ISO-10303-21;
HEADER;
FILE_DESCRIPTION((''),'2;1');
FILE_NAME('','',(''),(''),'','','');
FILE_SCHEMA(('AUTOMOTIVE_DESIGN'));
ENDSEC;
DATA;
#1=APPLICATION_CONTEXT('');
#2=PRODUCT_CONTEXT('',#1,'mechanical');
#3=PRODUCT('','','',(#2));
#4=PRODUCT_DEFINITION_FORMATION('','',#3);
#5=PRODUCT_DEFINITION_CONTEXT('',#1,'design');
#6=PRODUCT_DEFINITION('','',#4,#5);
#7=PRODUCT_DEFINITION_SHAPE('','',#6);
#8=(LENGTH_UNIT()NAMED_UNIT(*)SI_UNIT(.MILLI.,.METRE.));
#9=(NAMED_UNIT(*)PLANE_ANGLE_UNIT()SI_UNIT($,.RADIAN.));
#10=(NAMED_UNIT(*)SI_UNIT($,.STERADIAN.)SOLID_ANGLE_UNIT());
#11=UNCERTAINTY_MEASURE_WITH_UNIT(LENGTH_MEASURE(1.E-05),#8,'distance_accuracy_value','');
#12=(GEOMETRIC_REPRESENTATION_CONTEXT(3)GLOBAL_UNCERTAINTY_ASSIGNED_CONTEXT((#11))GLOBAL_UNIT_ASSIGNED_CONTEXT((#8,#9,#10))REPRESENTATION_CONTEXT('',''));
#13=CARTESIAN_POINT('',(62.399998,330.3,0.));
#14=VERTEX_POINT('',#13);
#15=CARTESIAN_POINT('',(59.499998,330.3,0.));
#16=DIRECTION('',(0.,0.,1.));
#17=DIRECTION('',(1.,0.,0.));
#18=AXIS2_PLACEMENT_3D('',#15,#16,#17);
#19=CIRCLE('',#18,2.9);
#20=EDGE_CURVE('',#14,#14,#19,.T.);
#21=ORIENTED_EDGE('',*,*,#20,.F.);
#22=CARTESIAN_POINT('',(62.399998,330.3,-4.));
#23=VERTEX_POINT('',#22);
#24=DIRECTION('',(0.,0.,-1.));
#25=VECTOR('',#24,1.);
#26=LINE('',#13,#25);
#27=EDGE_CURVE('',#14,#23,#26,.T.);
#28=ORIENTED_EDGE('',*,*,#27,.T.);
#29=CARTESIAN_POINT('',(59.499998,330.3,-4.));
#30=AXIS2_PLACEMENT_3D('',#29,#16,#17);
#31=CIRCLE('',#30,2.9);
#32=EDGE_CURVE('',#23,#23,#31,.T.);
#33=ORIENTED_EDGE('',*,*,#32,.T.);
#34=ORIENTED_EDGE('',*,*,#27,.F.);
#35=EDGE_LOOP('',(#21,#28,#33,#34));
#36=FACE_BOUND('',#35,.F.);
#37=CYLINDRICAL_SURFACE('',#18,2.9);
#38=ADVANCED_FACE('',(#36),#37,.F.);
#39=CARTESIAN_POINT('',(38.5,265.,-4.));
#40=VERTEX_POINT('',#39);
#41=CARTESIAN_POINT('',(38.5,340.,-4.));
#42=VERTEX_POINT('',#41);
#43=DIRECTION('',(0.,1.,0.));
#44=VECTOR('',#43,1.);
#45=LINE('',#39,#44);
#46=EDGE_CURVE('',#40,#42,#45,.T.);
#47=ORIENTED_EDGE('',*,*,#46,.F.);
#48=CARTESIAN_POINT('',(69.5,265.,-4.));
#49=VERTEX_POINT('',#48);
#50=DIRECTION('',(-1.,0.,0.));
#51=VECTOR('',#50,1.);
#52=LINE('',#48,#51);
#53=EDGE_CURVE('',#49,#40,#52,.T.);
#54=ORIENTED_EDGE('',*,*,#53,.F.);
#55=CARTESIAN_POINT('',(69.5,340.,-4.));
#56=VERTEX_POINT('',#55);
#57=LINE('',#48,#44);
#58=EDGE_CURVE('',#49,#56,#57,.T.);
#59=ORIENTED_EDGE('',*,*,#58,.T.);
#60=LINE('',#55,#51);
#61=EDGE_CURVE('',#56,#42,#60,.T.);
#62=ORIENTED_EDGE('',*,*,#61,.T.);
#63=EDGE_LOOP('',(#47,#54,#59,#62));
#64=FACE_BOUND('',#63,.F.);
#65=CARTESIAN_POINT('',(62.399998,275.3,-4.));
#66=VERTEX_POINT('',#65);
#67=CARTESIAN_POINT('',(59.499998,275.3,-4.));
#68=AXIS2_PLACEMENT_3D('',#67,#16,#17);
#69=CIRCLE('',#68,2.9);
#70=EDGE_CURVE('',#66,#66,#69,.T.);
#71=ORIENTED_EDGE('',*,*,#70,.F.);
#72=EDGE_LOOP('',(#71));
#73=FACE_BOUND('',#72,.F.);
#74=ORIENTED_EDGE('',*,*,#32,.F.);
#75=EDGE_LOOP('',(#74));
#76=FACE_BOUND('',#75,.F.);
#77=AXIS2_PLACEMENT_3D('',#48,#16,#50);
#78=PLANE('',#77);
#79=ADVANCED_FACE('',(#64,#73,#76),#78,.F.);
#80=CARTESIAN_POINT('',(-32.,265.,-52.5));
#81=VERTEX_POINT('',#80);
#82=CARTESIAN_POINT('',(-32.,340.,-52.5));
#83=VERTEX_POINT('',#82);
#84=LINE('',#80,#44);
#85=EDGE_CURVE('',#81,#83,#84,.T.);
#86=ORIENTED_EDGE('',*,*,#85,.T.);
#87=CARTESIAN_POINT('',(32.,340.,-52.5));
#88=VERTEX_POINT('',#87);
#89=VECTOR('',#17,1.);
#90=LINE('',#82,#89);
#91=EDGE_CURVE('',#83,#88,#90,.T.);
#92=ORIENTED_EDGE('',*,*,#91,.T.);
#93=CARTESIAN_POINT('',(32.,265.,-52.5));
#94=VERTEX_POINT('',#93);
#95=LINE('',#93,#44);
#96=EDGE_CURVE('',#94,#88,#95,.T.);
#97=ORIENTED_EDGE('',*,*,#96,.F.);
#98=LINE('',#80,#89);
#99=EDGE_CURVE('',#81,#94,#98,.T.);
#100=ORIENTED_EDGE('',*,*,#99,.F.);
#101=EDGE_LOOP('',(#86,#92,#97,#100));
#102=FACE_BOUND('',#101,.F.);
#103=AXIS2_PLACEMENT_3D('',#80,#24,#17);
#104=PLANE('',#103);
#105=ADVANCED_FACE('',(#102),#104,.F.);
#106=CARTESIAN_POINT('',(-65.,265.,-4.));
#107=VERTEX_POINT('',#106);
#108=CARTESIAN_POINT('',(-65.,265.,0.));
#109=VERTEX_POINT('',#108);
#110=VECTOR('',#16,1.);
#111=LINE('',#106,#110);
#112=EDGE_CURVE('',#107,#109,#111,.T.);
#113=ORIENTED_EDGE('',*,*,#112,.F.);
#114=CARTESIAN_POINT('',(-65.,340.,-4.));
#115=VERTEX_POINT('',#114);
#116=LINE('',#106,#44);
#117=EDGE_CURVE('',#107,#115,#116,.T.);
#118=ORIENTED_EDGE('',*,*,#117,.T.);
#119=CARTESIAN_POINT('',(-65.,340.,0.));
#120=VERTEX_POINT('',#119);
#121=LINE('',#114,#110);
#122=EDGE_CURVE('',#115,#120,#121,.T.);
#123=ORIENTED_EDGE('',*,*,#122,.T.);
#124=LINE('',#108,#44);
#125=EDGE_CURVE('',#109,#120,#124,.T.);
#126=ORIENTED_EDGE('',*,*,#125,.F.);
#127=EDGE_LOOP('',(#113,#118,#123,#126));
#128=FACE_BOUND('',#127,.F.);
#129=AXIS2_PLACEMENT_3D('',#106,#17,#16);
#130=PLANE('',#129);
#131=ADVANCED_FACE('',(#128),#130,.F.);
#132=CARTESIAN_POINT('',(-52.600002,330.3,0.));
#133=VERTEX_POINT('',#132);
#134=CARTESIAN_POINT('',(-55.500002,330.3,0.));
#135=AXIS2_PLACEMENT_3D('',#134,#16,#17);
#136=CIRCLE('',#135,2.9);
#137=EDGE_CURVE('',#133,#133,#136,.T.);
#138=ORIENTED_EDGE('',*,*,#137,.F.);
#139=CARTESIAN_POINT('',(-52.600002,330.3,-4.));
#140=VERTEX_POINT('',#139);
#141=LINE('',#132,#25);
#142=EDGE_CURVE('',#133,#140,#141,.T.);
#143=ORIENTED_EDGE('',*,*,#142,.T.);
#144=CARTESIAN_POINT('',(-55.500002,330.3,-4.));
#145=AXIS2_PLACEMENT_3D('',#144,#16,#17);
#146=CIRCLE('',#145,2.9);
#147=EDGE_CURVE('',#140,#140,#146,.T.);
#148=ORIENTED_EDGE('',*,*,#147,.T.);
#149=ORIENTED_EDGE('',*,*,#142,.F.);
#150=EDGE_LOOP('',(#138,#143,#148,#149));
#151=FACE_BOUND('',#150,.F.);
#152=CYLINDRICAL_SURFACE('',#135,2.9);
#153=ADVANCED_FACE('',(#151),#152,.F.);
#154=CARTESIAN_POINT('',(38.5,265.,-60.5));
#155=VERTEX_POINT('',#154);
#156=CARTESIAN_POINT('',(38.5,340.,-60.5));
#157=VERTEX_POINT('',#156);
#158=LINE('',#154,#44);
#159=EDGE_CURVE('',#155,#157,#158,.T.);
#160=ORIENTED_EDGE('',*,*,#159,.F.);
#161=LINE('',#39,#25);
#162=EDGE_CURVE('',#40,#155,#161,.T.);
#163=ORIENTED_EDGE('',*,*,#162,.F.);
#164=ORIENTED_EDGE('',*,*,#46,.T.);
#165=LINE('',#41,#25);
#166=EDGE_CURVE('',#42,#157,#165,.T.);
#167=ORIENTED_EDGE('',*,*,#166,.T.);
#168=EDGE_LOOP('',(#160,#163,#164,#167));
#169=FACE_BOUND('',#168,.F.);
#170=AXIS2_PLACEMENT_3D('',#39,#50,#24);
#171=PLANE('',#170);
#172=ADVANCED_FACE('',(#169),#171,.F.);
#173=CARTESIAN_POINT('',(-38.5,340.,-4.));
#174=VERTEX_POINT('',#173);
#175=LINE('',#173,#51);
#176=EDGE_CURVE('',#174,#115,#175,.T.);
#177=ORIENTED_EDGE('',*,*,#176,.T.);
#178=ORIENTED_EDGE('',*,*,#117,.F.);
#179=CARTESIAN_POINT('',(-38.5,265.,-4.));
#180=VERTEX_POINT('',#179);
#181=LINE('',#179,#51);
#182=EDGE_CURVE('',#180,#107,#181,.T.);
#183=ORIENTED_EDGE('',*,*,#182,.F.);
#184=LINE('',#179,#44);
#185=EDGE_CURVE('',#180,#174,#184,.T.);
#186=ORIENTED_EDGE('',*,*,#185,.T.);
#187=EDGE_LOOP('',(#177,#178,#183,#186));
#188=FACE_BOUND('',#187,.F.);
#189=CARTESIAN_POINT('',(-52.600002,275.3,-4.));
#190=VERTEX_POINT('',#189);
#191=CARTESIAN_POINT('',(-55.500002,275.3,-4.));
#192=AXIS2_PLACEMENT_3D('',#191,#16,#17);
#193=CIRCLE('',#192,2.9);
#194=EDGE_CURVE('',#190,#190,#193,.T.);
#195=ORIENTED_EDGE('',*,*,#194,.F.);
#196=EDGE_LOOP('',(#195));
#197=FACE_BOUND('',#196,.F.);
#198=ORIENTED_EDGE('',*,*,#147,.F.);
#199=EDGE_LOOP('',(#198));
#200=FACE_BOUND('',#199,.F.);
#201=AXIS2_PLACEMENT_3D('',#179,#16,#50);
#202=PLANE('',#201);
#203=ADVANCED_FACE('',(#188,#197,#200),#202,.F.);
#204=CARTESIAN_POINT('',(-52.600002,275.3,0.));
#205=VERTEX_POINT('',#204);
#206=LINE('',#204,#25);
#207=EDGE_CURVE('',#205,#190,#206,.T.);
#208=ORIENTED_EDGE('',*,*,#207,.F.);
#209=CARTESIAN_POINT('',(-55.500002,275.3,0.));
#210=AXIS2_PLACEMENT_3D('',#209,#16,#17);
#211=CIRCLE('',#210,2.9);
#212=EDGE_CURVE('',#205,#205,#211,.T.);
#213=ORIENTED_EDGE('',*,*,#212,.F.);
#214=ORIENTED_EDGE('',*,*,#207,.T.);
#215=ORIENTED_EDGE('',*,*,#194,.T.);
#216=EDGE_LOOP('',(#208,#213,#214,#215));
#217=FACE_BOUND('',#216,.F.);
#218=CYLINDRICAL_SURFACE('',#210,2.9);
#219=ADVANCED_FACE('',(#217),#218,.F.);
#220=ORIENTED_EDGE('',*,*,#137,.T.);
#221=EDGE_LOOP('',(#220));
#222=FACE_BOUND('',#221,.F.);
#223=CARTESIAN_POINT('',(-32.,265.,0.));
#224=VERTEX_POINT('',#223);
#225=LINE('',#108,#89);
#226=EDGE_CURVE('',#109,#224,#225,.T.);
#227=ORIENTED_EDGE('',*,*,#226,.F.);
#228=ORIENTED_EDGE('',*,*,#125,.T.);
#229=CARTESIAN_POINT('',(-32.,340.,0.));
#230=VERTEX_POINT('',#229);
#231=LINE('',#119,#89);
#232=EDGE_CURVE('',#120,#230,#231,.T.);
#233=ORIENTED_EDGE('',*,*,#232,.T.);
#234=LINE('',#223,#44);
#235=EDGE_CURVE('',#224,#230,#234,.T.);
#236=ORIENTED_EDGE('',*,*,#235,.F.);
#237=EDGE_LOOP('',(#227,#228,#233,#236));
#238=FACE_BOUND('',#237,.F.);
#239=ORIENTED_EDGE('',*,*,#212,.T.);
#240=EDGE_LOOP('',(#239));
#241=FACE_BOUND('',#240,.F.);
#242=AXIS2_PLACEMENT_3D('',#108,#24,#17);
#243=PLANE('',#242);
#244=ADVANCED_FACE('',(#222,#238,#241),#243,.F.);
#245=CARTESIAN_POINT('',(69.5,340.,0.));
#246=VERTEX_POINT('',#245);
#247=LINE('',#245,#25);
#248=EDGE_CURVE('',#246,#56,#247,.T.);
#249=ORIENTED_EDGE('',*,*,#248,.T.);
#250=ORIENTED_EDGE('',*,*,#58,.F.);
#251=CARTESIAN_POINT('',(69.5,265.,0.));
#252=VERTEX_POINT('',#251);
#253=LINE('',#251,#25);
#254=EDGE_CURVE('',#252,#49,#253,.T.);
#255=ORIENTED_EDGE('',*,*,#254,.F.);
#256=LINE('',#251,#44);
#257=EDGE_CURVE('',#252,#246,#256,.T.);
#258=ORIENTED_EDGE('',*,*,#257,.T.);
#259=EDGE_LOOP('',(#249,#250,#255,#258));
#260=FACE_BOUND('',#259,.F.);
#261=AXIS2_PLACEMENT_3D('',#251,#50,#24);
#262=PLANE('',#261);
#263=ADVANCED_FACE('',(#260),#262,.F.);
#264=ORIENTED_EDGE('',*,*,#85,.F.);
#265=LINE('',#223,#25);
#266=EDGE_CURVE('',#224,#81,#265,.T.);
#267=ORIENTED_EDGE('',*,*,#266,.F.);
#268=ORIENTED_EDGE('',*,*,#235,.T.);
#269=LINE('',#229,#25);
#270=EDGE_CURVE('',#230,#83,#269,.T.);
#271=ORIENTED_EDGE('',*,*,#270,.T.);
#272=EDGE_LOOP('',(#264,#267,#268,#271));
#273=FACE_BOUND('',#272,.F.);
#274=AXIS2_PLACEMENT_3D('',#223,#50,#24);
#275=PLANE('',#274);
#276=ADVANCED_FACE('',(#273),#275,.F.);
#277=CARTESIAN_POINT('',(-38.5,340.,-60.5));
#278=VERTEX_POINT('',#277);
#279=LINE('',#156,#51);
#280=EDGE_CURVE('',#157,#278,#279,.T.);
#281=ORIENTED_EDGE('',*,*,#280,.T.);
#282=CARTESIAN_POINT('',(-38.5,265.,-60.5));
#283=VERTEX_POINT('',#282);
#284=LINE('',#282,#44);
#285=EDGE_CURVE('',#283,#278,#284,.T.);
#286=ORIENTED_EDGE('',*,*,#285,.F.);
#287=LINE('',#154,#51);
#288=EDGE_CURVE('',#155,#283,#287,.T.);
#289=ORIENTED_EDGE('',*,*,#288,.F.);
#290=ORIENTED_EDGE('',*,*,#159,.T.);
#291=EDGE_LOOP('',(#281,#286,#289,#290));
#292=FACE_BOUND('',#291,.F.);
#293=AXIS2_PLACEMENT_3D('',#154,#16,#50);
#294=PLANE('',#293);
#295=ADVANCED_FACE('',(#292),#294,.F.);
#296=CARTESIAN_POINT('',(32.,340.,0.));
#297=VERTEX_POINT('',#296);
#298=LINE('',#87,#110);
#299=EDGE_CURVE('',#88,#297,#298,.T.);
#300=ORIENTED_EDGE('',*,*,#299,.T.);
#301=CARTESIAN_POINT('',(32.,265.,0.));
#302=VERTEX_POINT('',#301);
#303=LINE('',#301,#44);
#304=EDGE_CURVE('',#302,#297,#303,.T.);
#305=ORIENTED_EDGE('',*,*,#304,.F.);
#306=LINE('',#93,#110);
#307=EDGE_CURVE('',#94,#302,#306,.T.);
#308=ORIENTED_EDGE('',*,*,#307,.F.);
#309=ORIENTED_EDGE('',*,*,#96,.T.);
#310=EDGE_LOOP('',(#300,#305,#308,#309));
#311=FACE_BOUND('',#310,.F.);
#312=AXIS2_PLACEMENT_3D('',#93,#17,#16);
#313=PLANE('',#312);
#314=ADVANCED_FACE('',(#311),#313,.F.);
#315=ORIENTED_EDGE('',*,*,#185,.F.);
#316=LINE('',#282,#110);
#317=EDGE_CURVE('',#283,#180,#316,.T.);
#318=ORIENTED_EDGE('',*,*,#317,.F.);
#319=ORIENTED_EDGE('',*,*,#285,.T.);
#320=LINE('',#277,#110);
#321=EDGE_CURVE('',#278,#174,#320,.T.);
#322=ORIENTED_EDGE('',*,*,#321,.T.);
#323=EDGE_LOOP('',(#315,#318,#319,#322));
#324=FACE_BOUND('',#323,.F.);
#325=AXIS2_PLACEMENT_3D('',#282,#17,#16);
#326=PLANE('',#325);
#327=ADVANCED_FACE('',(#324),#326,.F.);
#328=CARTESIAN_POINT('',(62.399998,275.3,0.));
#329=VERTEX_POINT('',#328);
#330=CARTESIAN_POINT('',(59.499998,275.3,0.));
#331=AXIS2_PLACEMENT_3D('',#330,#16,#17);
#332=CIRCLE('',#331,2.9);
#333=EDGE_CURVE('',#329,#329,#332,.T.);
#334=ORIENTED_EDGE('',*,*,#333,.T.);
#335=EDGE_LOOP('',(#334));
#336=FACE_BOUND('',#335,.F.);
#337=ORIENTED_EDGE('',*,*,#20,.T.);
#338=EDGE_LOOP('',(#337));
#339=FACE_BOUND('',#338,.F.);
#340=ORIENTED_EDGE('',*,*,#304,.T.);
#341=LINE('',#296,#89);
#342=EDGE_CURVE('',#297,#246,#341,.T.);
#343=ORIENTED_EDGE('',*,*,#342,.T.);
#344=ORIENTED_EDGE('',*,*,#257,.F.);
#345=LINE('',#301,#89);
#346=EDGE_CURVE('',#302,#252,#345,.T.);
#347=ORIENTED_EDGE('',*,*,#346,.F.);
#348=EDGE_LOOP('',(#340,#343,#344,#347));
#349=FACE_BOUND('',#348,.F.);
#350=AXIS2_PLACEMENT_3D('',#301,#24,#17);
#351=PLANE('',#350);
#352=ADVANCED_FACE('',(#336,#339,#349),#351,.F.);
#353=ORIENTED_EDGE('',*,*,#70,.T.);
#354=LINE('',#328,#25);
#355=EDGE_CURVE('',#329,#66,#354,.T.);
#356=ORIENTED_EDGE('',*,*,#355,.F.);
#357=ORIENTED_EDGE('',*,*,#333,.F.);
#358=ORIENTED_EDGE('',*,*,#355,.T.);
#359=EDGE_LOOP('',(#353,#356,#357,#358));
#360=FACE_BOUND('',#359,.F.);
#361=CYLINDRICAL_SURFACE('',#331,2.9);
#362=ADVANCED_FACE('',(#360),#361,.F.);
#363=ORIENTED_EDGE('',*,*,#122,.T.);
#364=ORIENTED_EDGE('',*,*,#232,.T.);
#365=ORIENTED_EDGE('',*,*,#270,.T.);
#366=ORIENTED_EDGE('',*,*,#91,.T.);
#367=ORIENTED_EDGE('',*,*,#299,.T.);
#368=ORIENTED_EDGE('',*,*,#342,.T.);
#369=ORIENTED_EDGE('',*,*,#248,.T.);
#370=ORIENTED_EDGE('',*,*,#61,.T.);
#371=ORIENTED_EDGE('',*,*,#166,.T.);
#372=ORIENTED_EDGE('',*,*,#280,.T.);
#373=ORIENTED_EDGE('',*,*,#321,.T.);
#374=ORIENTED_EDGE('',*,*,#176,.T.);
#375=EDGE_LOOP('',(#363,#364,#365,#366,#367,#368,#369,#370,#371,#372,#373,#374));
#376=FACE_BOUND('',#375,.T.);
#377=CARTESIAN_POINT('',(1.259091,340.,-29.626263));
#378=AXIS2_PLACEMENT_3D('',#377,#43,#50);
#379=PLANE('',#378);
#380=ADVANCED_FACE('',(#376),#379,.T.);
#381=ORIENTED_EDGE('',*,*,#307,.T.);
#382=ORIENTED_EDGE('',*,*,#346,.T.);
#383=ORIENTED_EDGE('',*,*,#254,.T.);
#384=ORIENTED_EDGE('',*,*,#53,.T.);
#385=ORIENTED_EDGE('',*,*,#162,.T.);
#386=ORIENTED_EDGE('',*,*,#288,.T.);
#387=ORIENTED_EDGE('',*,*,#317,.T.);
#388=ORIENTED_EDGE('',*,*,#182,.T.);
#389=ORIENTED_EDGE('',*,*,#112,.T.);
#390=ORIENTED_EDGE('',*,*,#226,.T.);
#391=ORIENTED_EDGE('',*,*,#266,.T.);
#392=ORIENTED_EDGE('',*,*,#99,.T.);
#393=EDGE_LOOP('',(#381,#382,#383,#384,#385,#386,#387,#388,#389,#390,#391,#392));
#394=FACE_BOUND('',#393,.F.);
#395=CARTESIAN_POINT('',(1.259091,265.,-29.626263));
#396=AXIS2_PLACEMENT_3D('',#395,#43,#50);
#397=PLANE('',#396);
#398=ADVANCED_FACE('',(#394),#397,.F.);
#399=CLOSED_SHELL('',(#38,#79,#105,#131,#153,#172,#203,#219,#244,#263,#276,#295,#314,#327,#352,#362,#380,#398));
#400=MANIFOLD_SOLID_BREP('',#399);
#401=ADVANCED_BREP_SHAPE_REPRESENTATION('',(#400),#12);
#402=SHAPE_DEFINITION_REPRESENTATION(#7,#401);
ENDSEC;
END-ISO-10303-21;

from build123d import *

# Parameters (mm, degrees)
PAD002_DEPTH   = 75
SKETCH006_R    = 2.9
HOLE002_DEPTH  = 25
HOLE002_TIPS_R = 2.9


with BuildPart() as part:
    # Sketch005 → Pad002 (new body)
    with BuildSketch(Plane.XZ):
        Polygon((-38, 0), (-0.5, 0), (-0.5, -4), (-31.5, -4), (-31.5, -60.5), (-108.5, -60.5), (-108.5, -4), (-135, -4), (-135, 0), (-102, 0), (-102, -52.5), (-38, -52.5), align=None)
    extrude(amount=-PAD002_DEPTH)

    # Sketch006 → Hole002 (cut)
    with BuildSketch(Plane.XY):
        with Locations((-125.500002, 10.3)):
            Circle(SKETCH006_R)
        with Locations((-125.500002, 65.3)):
            Circle(SKETCH006_R)
        with Locations((-10.500002, 10.3)):
            Circle(SKETCH006_R)
        with Locations((-10.500002, 65.3)):
            Circle(SKETCH006_R)
    extrude(amount=-HOLE002_DEPTH, mode=Mode.SUBTRACT)

    # Hole002 tips → Hole002 tip 1 section 0
    with BuildSketch(Plane.XY.offset(-25), mode=Mode.PRIVATE) as hole002_tip_1_s0:
        with Locations((-125.500002, 10.3)):
            Circle(HOLE002_TIPS_R)
    loft([hole002_tip_1_s0.sketch, Vertex(-125.500002, 10.3, -26.742496)], mode=Mode.SUBTRACT)

    # Hole002 tips → Hole002 tip 2 section 0
    with BuildSketch(Plane.XY.offset(-25), mode=Mode.PRIVATE) as hole002_tip_2_s0:
        with Locations((-125.500002, 65.3)):
            Circle(HOLE002_TIPS_R)
    loft([hole002_tip_2_s0.sketch, Vertex(-125.500002, 65.3, -26.742496)], mode=Mode.SUBTRACT)

    # Hole002 tips → Hole002 tip 3 section 0
    with BuildSketch(Plane.XY.offset(-25), mode=Mode.PRIVATE) as hole002_tip_3_s0:
        with Locations((-10.500002, 10.3)):
            Circle(HOLE002_TIPS_R)
    loft([hole002_tip_3_s0.sketch, Vertex(-10.500002, 10.3, -26.742496)], mode=Mode.SUBTRACT)

    # Hole002 tips → Hole002 tip 4 section 0
    with BuildSketch(Plane.XY.offset(-25), mode=Mode.PRIVATE) as hole002_tip_4_s0:
        with Locations((-10.500002, 65.3)):
            Circle(HOLE002_TIPS_R)
    loft([hole002_tip_4_s0.sketch, Vertex(-10.500002, 65.3, -26.742496)], mode=Mode.SUBTRACT)


with BuildPart() as part_1:
    # Body002 placement: moved
    add(part.part.moved(Location((70, 265, 0))))


solid = part_1.part
